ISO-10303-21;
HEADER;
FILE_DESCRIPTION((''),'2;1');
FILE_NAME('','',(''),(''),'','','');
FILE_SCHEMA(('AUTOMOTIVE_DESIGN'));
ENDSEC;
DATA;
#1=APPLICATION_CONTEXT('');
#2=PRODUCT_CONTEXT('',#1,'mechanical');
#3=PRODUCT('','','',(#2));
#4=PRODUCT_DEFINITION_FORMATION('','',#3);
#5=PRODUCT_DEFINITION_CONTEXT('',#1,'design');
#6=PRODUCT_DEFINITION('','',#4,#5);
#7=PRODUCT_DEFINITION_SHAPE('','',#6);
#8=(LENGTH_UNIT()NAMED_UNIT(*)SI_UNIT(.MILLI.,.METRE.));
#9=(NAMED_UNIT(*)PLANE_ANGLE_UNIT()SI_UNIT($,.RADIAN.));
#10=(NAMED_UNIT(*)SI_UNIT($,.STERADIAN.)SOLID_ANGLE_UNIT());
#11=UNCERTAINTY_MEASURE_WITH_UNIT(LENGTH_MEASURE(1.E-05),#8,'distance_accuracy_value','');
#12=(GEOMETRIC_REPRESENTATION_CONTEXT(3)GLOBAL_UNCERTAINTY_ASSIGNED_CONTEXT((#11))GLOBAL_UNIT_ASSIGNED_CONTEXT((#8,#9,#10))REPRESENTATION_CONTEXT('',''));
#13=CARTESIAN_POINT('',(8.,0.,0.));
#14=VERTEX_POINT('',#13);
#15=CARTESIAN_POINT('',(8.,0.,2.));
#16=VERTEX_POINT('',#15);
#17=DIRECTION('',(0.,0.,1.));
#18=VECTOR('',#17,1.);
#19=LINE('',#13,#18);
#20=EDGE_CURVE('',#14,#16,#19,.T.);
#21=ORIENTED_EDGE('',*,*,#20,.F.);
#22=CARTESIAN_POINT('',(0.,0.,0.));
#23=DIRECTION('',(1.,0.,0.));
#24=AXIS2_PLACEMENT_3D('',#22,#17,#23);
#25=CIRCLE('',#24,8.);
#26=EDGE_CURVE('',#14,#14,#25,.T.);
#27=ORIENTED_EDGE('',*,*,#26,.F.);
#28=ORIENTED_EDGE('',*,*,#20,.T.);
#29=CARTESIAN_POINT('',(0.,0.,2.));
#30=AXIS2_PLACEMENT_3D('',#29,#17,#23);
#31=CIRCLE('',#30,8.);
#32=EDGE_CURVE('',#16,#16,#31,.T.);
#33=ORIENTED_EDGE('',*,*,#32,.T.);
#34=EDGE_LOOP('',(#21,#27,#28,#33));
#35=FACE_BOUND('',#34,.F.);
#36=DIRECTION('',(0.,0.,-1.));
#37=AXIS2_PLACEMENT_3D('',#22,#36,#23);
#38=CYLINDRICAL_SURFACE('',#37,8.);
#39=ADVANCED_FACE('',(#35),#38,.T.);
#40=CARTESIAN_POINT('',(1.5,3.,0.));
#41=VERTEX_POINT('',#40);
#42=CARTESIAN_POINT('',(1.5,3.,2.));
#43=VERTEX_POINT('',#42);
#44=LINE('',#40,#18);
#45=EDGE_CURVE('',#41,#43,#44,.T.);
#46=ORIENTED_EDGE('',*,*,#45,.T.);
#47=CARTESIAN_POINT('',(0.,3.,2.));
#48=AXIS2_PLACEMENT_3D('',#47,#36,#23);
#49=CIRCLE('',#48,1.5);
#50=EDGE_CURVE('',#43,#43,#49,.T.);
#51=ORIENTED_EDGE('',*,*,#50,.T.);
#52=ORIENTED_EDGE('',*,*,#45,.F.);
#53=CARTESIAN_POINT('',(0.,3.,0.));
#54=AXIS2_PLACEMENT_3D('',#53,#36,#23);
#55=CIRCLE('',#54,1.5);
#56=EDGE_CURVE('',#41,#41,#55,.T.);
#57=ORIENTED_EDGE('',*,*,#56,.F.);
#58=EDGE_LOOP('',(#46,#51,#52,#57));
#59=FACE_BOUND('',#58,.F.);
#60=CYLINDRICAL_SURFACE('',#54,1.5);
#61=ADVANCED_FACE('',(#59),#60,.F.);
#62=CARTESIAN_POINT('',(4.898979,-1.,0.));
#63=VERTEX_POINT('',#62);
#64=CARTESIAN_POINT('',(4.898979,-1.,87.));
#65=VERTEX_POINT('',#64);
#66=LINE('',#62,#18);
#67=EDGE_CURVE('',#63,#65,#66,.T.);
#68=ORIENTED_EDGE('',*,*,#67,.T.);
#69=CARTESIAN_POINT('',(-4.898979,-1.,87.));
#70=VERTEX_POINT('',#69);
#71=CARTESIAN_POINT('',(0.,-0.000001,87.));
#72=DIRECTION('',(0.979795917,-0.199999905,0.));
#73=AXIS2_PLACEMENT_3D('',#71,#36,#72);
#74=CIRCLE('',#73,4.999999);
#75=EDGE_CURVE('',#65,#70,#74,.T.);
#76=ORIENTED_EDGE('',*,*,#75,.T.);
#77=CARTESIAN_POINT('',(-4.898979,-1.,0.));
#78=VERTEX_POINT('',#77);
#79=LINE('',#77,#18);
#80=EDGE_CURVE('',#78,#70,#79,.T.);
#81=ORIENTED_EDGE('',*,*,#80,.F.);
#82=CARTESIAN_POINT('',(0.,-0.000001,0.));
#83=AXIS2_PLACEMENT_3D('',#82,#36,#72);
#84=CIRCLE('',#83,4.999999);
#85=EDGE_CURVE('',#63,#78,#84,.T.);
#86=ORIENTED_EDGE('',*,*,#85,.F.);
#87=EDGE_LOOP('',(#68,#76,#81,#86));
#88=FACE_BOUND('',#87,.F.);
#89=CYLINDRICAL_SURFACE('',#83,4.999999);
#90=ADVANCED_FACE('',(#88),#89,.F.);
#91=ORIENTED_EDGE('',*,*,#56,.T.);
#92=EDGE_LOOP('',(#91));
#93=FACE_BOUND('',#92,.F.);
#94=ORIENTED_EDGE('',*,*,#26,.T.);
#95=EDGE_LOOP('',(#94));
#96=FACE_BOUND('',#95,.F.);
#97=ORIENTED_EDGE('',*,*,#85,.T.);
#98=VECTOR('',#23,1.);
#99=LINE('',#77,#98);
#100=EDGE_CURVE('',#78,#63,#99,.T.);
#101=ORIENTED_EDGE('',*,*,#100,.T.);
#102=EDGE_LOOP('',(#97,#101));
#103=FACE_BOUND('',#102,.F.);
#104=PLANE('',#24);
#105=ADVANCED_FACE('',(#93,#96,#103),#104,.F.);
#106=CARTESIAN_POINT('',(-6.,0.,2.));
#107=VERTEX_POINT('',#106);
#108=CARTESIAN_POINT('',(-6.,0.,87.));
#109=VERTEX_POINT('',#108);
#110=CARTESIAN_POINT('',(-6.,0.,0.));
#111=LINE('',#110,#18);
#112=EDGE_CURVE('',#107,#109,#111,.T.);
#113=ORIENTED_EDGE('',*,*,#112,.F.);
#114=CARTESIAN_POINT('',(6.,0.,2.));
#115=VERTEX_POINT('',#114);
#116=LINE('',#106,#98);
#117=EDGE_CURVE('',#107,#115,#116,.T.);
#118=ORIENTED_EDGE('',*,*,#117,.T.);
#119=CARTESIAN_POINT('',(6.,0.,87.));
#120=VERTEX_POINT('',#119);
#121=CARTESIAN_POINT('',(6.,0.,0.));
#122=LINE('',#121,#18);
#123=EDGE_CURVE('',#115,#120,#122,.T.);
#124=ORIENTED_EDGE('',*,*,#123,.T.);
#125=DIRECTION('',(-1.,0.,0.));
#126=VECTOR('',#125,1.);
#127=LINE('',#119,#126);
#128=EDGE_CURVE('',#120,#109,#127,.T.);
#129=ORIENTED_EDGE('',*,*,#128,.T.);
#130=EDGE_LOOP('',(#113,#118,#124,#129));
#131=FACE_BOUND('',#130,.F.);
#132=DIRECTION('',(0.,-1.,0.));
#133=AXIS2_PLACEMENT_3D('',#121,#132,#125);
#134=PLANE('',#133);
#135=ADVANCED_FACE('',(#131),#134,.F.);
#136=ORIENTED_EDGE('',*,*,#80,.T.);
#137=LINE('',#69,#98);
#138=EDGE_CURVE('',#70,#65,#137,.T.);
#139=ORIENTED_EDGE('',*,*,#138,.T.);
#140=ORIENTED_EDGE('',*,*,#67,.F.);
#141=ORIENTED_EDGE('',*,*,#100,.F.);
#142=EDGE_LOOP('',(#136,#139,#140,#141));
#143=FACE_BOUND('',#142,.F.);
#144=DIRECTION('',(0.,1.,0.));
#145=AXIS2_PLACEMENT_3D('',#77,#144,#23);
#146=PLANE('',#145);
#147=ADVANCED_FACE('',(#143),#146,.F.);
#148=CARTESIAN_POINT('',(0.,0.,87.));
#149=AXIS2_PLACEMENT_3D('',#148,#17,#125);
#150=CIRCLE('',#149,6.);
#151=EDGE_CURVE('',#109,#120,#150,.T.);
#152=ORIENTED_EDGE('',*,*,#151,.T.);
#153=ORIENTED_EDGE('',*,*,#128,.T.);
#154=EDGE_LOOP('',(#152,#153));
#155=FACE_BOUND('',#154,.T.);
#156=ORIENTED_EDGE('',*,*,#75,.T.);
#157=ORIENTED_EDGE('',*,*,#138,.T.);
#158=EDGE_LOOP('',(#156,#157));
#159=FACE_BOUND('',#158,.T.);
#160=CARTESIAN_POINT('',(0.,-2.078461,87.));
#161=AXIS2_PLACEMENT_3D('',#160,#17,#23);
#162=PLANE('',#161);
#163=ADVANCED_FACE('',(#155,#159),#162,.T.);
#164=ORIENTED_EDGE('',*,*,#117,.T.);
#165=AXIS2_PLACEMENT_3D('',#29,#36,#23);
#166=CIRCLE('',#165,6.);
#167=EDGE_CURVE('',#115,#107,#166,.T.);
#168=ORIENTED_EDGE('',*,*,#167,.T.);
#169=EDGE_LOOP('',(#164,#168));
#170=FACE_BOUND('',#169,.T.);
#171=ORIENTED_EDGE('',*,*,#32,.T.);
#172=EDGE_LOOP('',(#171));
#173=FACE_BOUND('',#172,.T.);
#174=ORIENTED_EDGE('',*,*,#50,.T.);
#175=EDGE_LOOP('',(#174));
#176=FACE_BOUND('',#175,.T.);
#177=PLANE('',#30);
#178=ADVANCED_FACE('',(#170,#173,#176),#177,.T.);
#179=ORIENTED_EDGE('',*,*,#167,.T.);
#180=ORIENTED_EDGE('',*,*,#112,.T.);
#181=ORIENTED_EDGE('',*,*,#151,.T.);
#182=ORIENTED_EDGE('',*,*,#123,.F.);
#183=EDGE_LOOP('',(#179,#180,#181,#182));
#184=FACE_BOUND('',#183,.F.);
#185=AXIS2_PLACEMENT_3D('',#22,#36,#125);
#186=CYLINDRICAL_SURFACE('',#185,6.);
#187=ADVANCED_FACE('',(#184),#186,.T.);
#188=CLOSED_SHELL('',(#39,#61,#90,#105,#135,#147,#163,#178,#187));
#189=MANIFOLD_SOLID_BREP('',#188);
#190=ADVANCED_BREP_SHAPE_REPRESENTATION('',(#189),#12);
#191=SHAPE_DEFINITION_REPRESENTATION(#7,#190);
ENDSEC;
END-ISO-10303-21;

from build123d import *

# Parameters (mm, degrees)
F1_DEPTH = 87
F0_R     = 8
F2_DEPTH = 2
F3_R     = 1.5
F4_DEPTH = 25


with BuildPart() as f1:
    # F0 (on Top) → F1 (new body)
    with BuildSketch(Plane.XY):
        with BuildLine():
            Line((6, 0), (-6, 0))
            ThreePointArc((-6, 0), (0, -6), (6, 0))
        make_face()
        with BuildLine():
            ThreePointArc((4.898979, -1), (0, -5), (-4.898979, -1))
            Line((-4.898979, -1), (4.898979, -1))
        make_face(mode=Mode.SUBTRACT)
    extrude(amount=F1_DEPTH)

    # F0 (on Top) → F2 (join)
    with BuildSketch(Plane.XY):
        Circle(F0_R)
        with BuildLine():
            ThreePointArc((6, 0), (0, -6), (-6, 0))
            Line((-6, 0), (6, 0))
        make_face(mode=Mode.SUBTRACT)
    extrude(amount=F2_DEPTH)

    # F3 (on face) → F4 (cut)
    with BuildSketch(Plane(origin=(0, 0, 0), x_dir=(1, 0, 0), z_dir=(0, 0, -1))):
        with Locations((0, -3)):
            Circle(F3_R)
    extrude(amount=-F4_DEPTH, mode=Mode.SUBTRACT)


solid = f1.part
